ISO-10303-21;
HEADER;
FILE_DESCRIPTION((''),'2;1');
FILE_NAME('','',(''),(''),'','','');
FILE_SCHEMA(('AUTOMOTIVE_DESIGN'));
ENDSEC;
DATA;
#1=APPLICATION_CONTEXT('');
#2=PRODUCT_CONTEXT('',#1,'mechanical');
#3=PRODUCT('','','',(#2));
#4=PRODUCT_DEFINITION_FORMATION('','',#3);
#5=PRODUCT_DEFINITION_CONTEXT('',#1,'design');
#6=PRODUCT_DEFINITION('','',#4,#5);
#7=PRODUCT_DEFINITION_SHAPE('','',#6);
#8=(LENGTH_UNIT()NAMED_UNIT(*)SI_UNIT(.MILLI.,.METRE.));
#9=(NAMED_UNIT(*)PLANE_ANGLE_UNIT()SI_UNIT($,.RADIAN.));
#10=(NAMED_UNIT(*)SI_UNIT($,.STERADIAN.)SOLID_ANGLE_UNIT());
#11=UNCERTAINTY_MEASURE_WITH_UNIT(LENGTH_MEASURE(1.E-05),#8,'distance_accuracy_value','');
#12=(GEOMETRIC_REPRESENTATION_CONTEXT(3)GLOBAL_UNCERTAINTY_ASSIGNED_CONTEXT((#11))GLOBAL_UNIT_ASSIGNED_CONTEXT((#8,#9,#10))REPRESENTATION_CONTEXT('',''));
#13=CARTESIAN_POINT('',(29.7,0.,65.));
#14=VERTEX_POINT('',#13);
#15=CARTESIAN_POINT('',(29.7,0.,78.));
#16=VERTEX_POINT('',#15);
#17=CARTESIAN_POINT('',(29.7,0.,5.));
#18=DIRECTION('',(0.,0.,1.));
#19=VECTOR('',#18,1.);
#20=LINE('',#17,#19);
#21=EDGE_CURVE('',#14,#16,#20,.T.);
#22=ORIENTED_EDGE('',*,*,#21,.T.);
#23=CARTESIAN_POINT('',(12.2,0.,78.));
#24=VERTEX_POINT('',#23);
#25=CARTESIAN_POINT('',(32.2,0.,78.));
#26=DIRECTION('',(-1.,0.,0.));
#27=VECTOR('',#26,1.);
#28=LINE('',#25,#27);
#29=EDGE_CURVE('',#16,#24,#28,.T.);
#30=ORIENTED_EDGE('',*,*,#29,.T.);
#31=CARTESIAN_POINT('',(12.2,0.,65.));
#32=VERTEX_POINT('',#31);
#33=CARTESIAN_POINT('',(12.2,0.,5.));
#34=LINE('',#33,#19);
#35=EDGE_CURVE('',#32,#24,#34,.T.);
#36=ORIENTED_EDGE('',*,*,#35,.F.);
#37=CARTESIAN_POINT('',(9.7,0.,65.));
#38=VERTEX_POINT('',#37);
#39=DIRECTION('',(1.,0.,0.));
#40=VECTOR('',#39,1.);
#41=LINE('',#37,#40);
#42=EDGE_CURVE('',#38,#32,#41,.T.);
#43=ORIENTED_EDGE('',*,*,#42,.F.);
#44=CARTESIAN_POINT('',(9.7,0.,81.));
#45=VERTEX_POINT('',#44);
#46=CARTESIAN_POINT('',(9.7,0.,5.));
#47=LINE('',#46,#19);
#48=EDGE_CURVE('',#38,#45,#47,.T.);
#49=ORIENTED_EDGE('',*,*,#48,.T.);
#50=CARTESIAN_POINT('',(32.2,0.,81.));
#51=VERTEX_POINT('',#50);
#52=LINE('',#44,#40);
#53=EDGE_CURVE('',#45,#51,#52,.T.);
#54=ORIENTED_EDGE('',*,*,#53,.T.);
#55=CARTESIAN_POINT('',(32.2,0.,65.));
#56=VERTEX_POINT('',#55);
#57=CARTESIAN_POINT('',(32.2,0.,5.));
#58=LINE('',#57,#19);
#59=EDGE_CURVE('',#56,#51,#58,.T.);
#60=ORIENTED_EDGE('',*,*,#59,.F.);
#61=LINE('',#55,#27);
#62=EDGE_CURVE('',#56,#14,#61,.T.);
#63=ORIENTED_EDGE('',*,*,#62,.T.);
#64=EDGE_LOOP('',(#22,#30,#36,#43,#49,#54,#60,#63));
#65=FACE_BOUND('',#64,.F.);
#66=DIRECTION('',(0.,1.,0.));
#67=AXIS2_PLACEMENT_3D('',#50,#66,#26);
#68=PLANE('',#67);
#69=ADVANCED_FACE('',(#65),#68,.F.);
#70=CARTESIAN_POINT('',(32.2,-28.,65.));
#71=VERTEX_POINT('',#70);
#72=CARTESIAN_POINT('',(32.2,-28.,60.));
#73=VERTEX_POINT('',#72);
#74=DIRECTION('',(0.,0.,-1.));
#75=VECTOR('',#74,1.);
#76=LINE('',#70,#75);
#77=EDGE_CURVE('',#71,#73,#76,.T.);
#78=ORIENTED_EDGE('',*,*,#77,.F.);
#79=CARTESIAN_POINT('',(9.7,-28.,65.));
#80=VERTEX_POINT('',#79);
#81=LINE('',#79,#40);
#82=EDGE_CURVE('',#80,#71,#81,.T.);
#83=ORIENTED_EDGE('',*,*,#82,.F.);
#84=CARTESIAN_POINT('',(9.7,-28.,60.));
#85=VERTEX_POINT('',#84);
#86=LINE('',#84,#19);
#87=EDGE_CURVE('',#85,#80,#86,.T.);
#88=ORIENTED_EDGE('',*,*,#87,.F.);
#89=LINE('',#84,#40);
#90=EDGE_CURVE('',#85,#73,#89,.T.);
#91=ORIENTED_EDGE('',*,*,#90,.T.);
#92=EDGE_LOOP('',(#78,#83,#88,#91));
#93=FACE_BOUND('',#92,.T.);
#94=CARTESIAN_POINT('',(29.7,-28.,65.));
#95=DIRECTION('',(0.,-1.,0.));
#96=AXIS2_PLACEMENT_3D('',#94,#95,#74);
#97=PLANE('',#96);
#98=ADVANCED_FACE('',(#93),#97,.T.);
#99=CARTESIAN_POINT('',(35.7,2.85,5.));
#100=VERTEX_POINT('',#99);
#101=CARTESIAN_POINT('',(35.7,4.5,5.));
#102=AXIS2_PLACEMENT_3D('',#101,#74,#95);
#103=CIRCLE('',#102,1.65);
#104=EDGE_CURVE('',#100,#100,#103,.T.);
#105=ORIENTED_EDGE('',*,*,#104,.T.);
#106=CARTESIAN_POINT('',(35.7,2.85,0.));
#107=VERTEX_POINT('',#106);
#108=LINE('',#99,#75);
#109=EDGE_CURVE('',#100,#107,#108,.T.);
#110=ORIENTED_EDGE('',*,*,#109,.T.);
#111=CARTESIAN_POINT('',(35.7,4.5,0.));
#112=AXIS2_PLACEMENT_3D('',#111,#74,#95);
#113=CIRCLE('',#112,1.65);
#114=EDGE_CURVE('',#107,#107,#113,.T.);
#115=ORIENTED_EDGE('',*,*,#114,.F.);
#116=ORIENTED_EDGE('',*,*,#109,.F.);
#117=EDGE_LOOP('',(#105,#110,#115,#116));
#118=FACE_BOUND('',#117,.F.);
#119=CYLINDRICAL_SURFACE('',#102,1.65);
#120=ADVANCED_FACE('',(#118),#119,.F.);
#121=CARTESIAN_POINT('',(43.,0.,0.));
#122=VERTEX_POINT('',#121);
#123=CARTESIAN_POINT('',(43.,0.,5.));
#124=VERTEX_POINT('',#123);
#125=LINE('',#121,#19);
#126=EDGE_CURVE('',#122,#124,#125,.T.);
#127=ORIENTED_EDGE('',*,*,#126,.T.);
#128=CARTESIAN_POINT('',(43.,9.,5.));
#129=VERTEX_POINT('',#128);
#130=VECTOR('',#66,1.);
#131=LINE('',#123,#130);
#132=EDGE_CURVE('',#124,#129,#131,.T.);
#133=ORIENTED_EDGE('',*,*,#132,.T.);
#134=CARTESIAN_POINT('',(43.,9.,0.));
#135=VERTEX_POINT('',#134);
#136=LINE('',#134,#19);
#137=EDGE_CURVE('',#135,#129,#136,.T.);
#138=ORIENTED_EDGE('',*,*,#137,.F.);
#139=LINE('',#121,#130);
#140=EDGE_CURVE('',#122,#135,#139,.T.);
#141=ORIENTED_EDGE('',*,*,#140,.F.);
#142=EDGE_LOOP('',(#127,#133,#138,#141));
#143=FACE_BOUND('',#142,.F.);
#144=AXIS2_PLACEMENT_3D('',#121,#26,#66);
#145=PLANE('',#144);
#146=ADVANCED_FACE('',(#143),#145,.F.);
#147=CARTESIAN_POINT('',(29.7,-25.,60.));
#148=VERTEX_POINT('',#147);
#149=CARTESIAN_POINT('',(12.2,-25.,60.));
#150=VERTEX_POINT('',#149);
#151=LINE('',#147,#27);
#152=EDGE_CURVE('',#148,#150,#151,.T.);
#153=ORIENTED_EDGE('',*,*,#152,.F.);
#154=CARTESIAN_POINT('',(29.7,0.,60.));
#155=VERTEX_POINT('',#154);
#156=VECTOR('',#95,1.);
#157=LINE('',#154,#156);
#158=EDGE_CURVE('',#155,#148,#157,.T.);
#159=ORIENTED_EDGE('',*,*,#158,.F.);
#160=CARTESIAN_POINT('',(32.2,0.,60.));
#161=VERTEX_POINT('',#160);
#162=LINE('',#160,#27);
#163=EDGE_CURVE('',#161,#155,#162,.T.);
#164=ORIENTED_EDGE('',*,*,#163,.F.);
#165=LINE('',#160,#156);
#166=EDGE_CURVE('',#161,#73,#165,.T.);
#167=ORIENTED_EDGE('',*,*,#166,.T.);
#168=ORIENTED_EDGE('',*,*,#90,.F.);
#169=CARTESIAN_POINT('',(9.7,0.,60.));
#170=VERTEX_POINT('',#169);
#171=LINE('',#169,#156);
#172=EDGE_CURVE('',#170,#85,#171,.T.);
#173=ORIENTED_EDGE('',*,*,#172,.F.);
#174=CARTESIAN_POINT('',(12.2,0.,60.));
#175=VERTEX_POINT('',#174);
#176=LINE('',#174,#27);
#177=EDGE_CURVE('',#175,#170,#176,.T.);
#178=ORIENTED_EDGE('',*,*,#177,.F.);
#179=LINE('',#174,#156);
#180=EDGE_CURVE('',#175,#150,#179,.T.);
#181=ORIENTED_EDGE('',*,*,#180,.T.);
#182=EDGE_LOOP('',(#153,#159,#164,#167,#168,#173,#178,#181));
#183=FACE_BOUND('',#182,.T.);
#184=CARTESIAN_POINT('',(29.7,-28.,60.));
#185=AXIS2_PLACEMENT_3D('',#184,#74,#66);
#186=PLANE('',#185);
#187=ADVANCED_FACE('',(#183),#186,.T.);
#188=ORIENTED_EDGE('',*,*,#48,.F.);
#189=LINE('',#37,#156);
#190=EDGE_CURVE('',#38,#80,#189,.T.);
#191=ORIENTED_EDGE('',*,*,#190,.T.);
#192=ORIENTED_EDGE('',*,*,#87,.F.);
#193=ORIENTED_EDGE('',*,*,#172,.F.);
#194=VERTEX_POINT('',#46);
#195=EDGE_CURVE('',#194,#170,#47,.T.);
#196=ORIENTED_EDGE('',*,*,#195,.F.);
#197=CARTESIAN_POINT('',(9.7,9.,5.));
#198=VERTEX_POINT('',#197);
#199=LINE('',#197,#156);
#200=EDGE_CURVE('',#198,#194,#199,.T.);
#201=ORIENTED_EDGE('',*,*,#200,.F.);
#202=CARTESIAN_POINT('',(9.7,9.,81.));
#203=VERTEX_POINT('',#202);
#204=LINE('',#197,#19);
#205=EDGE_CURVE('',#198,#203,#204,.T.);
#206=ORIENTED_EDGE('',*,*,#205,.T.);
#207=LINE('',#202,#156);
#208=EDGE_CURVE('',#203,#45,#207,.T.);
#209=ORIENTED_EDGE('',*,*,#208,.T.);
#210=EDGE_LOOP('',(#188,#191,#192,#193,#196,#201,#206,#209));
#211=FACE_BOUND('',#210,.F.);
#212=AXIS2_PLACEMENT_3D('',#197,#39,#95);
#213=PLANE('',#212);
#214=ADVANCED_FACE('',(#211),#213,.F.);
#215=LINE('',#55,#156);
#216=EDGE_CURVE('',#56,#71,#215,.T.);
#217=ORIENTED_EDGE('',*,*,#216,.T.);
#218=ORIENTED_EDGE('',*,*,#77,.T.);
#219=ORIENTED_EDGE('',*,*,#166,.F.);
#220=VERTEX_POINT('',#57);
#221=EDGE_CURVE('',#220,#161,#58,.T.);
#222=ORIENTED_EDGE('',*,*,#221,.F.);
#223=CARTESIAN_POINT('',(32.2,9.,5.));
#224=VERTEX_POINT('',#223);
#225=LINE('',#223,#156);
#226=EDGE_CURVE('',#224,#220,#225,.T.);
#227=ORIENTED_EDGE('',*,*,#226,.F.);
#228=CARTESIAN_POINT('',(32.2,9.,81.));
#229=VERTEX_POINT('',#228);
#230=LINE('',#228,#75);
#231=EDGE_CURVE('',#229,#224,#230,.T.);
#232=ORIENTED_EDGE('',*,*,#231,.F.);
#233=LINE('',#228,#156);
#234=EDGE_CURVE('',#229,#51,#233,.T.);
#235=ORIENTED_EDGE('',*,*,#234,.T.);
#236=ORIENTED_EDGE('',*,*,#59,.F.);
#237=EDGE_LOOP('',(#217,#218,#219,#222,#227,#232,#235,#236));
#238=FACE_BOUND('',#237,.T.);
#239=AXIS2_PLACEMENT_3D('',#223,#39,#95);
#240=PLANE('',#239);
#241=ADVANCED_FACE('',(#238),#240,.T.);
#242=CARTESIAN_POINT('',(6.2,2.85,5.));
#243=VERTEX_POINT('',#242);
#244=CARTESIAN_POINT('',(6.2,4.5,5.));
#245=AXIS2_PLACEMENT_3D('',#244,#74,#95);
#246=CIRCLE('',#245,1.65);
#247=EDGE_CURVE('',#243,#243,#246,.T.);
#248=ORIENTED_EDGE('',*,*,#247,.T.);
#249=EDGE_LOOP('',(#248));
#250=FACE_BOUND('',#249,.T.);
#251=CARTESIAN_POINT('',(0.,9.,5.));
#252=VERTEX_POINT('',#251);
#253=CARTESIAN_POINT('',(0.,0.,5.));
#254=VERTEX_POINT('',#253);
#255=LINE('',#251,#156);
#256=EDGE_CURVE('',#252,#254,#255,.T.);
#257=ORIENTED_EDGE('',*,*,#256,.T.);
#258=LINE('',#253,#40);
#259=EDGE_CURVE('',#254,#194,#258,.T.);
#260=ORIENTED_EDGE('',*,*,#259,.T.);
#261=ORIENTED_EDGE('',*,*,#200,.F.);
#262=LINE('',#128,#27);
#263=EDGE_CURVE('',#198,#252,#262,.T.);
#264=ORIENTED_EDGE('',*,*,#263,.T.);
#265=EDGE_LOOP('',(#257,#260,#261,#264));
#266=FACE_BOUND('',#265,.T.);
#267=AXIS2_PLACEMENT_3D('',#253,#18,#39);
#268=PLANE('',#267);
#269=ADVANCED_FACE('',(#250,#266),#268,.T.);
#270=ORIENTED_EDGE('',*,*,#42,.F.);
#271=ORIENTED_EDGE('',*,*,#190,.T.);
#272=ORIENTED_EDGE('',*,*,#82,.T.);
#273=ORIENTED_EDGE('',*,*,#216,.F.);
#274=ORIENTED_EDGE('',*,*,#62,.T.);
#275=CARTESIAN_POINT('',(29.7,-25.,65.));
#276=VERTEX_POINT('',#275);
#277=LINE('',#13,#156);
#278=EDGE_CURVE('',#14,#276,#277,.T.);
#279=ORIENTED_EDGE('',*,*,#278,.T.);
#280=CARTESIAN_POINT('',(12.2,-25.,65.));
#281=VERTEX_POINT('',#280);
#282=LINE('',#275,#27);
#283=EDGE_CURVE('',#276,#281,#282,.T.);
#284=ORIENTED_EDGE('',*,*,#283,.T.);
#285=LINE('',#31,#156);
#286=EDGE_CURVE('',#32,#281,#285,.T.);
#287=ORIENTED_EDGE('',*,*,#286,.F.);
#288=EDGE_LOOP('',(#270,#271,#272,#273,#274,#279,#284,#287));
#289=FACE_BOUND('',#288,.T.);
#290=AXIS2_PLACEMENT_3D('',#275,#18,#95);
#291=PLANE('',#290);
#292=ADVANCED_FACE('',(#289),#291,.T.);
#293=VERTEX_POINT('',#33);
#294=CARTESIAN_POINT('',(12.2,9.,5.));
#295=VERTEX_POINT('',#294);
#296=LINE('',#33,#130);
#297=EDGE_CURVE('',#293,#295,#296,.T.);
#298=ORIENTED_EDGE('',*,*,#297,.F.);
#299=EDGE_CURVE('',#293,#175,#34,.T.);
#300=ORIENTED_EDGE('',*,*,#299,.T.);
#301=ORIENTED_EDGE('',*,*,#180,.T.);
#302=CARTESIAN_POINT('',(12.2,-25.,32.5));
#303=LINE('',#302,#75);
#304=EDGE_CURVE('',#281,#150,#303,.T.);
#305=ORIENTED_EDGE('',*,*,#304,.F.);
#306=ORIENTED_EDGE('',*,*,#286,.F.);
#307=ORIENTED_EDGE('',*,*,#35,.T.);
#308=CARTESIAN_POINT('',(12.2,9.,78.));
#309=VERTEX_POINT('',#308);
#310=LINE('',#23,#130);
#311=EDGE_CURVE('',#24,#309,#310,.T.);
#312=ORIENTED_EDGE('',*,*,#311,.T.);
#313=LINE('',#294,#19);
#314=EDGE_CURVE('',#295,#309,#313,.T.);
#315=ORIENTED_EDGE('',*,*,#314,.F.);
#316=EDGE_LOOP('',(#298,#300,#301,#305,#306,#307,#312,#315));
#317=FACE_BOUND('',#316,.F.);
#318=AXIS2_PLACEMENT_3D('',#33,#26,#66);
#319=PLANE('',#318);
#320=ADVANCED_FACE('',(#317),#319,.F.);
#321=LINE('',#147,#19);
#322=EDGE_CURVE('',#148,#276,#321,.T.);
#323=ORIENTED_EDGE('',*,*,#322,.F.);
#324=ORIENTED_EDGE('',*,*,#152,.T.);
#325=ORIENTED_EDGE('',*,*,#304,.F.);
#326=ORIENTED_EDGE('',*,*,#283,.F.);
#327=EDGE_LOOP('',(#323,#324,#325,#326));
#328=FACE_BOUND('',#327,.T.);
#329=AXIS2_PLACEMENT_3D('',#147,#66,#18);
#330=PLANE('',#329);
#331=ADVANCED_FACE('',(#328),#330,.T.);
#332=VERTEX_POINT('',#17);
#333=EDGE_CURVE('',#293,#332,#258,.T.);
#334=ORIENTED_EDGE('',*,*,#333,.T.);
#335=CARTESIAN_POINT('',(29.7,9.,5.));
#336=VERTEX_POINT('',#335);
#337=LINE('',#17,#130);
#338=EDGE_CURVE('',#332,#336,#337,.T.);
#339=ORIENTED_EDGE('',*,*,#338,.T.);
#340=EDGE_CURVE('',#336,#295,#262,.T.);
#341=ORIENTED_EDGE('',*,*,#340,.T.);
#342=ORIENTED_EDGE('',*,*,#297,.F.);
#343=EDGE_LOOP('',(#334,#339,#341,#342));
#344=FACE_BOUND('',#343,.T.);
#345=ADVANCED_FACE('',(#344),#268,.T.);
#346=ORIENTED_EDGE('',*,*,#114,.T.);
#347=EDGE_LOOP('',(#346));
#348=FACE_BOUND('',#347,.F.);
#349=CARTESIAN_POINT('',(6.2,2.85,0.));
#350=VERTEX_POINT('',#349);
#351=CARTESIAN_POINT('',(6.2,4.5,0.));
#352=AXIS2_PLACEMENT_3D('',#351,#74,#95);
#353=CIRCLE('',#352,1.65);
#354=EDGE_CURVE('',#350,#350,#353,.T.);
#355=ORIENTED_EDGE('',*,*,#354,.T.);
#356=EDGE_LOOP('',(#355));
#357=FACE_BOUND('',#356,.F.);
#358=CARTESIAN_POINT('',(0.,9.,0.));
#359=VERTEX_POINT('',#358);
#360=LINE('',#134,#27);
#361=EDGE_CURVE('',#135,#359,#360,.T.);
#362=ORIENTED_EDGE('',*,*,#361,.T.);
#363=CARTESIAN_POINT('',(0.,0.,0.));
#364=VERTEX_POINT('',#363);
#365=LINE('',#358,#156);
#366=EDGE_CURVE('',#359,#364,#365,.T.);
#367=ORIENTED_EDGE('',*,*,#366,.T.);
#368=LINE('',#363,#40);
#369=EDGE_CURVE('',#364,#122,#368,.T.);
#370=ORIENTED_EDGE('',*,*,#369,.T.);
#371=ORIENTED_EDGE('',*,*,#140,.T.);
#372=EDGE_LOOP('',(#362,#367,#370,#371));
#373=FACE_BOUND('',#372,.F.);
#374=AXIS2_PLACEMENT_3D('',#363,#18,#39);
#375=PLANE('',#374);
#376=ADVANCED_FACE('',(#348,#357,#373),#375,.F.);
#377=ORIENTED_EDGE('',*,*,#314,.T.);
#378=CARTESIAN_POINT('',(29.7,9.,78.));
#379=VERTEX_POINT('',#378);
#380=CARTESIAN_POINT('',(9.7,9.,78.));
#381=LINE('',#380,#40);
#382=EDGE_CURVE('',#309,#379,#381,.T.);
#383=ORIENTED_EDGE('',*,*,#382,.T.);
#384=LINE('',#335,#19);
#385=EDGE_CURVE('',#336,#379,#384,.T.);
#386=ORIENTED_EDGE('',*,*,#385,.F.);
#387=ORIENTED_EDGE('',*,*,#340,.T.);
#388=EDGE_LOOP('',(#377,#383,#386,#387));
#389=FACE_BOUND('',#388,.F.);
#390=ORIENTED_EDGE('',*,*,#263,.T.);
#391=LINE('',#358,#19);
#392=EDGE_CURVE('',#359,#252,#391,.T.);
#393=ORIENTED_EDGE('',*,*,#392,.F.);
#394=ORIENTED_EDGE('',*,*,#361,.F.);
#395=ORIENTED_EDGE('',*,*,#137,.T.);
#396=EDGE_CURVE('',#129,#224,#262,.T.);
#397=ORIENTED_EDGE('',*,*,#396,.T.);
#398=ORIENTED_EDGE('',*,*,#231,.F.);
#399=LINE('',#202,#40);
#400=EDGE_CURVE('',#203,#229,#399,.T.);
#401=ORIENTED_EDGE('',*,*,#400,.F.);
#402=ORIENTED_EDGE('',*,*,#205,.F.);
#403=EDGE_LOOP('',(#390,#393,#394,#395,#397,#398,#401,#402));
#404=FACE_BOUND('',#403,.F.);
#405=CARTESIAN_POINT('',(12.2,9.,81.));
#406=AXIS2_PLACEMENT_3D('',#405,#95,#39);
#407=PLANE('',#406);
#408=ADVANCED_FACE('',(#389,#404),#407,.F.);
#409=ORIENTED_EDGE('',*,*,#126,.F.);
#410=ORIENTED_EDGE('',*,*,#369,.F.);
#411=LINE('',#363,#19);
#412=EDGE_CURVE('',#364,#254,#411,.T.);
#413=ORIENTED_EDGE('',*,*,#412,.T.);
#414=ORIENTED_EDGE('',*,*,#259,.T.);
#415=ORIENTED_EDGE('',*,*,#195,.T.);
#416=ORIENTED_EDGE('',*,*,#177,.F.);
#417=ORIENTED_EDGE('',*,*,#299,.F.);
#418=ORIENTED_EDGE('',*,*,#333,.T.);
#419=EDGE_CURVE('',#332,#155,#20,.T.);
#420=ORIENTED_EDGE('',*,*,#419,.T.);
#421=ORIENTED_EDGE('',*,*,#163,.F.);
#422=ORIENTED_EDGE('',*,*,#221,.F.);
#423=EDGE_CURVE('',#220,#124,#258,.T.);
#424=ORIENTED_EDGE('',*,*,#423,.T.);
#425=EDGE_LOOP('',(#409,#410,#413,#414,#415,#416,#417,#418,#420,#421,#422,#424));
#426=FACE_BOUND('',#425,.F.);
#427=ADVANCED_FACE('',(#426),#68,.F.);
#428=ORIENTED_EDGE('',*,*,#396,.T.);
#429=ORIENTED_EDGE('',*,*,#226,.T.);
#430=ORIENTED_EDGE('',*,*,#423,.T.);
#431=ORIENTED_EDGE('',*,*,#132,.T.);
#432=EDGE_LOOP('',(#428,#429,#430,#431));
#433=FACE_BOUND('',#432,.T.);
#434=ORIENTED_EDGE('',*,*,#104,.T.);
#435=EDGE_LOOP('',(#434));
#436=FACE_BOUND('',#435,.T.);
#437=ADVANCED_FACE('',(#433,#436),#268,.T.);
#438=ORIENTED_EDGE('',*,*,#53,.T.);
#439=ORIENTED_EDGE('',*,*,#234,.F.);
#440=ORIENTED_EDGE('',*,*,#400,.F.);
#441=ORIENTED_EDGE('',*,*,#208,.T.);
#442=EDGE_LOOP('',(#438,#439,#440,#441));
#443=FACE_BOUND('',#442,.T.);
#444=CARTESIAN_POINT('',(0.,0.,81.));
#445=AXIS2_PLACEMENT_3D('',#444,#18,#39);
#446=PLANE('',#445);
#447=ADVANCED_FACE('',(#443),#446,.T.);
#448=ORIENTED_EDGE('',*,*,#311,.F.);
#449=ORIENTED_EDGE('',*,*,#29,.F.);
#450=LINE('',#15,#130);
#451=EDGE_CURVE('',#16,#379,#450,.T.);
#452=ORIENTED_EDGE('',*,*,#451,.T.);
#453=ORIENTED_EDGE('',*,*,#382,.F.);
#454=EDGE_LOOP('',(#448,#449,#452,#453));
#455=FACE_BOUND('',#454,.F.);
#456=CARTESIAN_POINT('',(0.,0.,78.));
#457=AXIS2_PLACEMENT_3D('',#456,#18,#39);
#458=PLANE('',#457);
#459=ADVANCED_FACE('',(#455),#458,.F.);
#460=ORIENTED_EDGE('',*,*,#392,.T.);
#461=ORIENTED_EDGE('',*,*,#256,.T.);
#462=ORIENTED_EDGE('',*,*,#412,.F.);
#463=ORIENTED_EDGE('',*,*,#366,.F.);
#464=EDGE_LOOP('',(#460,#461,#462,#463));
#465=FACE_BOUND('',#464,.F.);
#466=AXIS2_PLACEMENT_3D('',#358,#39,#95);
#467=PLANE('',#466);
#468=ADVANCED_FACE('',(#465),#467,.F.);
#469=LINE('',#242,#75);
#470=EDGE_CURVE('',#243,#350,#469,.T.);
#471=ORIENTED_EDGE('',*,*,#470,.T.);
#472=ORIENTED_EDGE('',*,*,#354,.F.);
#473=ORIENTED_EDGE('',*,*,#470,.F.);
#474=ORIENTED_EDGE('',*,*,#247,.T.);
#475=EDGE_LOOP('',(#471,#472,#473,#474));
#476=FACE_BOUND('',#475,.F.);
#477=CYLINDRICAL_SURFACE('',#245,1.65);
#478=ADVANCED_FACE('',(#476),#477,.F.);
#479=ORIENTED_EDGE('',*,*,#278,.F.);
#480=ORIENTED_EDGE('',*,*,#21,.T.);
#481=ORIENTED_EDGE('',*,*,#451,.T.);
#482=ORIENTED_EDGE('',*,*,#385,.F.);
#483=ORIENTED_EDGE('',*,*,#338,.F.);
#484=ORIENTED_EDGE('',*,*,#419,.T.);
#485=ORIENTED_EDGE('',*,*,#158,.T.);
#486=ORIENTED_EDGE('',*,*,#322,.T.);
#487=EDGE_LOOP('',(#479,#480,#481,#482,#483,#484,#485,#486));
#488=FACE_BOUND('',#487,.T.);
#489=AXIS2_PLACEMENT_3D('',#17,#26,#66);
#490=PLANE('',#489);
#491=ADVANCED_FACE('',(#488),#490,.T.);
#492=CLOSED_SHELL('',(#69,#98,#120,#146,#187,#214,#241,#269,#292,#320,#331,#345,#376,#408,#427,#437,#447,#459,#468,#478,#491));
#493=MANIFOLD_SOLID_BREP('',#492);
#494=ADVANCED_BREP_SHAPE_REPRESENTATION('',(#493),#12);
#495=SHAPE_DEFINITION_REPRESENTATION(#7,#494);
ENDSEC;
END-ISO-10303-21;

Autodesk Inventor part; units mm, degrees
ref_plane "YZ Plane" through (0, 0, 0) normal (1, 0, 0) x (0, 1, 0)
ref_plane "XZ Plane" through (0, 0, 0) normal (0, 1, 0) x (-1, 0, 0)
ref_plane "XY Plane" through (0, 0, 0) normal (0, 0, 1) x (1, 0, 0)
sketch "Sketch1" plane through (0, 0, 0) normal (0, 0, 1) x (1, 0, 0)
  line L0 (0, 0) -> (43, 0)
  line L1 (43, 0) -> (43, 9)
  line L2 (43, 9) -> (0, 9)
  line L3 (0, 9) -> (0, 0)
  dimension "d0" = 43
  dimension "d1" = 9
extrude "Extrusion1" add sketch "Sketch1" along normal blind 5
sketch "Sketch2" plane through (0, 0, 5) normal (0, 0, 1) x (1, 0, 0)
  line L0 (43, 0) -> (43, 9) projected
  line L1 (43, 9) -> (0, 9) projected
  point P0 (0, 0)
  point P1 (35.7, 4.5)
  point P2 (6.2, 4.5)
  dimension "d11" = 7.3
  dimension "d12" = 29.5
  dimension "d13" = 4.5
  dimension "d14" = 4.5
hole "Hole1" at (35.7, 4.5, 5) at (6.2, 4.5, 5) direction (0, 0, -1) diameter 3.3 end through all
sketch "Sketch3" plane through (0, 0, 5) normal (0, 0, 1) x (1, 0, 0)
  line L0 (0, 0) -> (43, 0) projected
  line L1 (43, 9) -> (0, 9) projected
  line L2 (9.7, 0) -> (12.2, 0)
  line L3 (12.2, 0) -> (12.2, 9)
  line L4 (12.2, 9) -> (9.7, 9)
  line L5 (9.7, 9) -> (9.7, 0)
  line L6 (29.7, 9) -> (32.2, 9)
  line L7 (32.2, 9) -> (32.2, 0)
  line L8 (32.2, 0) -> (29.7, 0)
  line L9 (29.7, 0) -> (29.7, 9)
  circle A0 centre (35.7, 4.5) radius 1.65 projected
  point P0 (29.7, 4.5)
  point P1 (12.2, 4.5)
  point P2 (32.2, 4.5)
  point P3 (29.7, 9)
  point P4 (29.7, 0)
  point P5 (32.2, 0)
  point P6 (32.2, 9)
  point P7 (12.2, 0)
  dimension "d15" = 2.5
  dimension "d16" = 2.5
  dimension "d17" = 17.5
  dimension "d18" = 3.5
extrude "Extrusion2" add sketch "Sketch3" along normal blind 76 contours L5 L1 L3 L0 | L9 L1 L7 L0
sketch "Sketch4" plane through (0, 0, 81) normal (0, 0, 1) x (1, 0, 0)
  line L0 (12.2, 9) -> (9.7, 9) projected
  line L1 (32.2, 0) -> (9.7, 0)
  line L2 (9.7, 0) -> (9.7, 9)
  line L3 (9.7, 9) -> (32.2, 9)
  line L4 (32.2, 9) -> (32.2, 0)
  point P0 (0, 0)
extrude "Extrusion3" add sketch "Sketch4" against normal blind 3
sketch "Sketch7" plane through (0, 0, 0) normal (0, -1, 0) x (1, 0, 0)
  line L0 (9.7, 60) -> (9.7, 65) projected
  line L1 (9.7, 65) -> (12.2, 65)
  line L2 (12.2, 65) -> (12.2, 60)
  line L3 (12.2, 60) -> (9.7, 60)
  line L4 (9.7, 60) -> (9.7, 65)
  line L5 (32.2, 65) -> (29.7, 65) projected
  line L6 (29.7, 65) -> (32.2, 65)
  line L7 (32.2, 65) -> (32.2, 60)
  line L8 (32.2, 60) -> (29.7, 60)
  line L9 (29.7, 60) -> (29.7, 65)
  point P0 (0, 0)
  dimension "d31" = 2.5
  dimension "d32" = 5
extrude "Extrusion6" add sketch "Sketch7" along normal blind 28
sketch "Sketch8" plane through (29.7, 0, 5) normal (-1, 0, 0) x (0, 0, 1)
  line L0 (60, 0) -> (60, -28) projected
  line L1 (60, -28) -> (55, -28)
  line L2 (55, -28) -> (55, -25)
  line L3 (55, -25) -> (60, -25)
  line L4 (60, -25) -> (60, -28)
  point P0 (-5, 0)
  dimension "d35" = 5
  dimension "d36" = 3
extrude "Extrusion7" add sketch "Sketch8" along normal blind 18
properties part number "Batteryholder1"
